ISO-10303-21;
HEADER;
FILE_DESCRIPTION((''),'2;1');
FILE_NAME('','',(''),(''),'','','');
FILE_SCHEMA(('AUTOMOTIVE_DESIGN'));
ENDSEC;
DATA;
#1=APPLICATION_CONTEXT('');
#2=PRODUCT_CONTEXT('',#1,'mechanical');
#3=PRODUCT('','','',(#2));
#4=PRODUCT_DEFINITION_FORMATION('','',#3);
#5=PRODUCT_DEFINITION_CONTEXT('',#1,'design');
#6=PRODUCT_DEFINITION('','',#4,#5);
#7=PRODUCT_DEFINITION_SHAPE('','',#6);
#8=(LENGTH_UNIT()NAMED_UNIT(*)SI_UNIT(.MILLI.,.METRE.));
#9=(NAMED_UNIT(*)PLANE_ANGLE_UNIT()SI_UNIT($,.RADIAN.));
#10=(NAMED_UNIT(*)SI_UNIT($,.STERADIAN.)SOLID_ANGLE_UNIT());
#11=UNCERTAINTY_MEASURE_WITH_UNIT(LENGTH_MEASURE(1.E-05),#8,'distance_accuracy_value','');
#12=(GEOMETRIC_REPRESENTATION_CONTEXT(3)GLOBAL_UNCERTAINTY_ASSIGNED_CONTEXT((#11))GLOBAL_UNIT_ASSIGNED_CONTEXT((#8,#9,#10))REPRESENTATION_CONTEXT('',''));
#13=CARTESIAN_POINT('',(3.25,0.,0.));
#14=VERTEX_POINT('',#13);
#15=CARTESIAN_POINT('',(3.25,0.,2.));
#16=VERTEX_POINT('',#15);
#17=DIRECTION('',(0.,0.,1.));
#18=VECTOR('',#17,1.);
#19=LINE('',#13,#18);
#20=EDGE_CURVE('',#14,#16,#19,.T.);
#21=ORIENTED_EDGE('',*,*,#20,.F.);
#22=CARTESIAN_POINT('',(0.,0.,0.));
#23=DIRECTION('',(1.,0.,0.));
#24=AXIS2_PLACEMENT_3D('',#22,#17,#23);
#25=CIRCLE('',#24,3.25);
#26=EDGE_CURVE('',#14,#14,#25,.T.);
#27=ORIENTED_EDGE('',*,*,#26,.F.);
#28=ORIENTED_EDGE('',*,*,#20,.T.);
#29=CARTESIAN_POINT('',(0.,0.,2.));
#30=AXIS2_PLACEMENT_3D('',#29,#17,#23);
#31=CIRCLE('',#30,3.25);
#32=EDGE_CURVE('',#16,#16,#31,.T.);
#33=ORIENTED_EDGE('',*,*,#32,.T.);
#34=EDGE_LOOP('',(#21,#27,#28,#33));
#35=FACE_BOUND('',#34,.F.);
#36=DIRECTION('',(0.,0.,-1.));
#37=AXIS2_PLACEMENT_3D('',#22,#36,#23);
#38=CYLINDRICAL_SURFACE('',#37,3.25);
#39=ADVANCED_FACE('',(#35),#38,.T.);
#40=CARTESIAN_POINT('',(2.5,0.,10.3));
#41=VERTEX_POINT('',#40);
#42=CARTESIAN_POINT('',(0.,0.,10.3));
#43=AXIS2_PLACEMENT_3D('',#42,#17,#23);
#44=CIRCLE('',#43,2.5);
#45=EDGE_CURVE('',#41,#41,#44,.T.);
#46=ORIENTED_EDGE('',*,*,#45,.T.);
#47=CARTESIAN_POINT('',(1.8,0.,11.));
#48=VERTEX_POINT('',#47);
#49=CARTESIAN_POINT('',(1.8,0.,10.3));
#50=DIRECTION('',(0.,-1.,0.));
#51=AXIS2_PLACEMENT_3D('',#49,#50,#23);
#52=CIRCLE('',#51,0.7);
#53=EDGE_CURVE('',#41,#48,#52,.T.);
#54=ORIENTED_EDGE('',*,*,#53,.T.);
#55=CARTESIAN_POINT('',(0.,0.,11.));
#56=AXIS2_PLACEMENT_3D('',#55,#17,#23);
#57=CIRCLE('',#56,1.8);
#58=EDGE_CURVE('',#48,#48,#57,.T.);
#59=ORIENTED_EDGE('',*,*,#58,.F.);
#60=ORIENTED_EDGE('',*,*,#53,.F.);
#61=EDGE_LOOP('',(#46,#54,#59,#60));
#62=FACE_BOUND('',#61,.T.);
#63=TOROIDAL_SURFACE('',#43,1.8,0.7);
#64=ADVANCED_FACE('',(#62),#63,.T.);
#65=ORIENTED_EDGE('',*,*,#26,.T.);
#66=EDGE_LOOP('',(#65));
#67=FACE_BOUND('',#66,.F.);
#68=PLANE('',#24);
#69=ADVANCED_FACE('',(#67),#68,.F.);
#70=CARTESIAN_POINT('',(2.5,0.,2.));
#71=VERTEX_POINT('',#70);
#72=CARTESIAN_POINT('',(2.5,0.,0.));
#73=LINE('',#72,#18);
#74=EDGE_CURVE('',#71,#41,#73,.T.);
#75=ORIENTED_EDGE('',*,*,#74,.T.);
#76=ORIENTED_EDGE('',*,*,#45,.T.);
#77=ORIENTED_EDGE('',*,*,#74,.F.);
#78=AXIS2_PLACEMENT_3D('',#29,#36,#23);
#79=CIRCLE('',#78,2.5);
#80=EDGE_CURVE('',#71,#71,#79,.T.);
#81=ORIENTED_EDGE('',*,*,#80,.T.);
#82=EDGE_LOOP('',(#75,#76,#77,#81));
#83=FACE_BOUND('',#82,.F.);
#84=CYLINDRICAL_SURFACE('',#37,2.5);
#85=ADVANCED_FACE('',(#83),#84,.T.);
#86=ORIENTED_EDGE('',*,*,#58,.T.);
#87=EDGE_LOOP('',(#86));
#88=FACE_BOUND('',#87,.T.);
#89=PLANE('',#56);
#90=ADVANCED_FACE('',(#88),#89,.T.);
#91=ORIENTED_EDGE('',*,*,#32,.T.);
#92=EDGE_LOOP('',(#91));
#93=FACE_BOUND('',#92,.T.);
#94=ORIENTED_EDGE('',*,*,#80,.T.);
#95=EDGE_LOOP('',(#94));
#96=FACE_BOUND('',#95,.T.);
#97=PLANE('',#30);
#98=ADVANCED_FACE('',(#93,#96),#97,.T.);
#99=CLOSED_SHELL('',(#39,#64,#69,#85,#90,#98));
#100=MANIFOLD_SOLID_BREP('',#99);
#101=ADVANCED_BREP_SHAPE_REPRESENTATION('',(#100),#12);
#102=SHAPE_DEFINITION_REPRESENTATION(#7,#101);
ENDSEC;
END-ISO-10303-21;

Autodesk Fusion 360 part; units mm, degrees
sketch "Sketch1" plane through (0, 0, 0) normal (0, 0, 1) x (1, 0, 0)
  circle A0 centre (0, 0) radius 2.5
  circle A1 centre (0, 0) radius 3.25
  dimension "d1" = 5
  dimension "d2" = 6.5
extrude "Extrude1" add sketch "Sketch1" along normal blind 2 contours A0 | A1
extrude "Extrude2" add sketch "Sketch1" along normal blind 11 contours A0
fillet "Fillet1" radius 0.7 1 edges at (-2.3308, -0.904, 11)
